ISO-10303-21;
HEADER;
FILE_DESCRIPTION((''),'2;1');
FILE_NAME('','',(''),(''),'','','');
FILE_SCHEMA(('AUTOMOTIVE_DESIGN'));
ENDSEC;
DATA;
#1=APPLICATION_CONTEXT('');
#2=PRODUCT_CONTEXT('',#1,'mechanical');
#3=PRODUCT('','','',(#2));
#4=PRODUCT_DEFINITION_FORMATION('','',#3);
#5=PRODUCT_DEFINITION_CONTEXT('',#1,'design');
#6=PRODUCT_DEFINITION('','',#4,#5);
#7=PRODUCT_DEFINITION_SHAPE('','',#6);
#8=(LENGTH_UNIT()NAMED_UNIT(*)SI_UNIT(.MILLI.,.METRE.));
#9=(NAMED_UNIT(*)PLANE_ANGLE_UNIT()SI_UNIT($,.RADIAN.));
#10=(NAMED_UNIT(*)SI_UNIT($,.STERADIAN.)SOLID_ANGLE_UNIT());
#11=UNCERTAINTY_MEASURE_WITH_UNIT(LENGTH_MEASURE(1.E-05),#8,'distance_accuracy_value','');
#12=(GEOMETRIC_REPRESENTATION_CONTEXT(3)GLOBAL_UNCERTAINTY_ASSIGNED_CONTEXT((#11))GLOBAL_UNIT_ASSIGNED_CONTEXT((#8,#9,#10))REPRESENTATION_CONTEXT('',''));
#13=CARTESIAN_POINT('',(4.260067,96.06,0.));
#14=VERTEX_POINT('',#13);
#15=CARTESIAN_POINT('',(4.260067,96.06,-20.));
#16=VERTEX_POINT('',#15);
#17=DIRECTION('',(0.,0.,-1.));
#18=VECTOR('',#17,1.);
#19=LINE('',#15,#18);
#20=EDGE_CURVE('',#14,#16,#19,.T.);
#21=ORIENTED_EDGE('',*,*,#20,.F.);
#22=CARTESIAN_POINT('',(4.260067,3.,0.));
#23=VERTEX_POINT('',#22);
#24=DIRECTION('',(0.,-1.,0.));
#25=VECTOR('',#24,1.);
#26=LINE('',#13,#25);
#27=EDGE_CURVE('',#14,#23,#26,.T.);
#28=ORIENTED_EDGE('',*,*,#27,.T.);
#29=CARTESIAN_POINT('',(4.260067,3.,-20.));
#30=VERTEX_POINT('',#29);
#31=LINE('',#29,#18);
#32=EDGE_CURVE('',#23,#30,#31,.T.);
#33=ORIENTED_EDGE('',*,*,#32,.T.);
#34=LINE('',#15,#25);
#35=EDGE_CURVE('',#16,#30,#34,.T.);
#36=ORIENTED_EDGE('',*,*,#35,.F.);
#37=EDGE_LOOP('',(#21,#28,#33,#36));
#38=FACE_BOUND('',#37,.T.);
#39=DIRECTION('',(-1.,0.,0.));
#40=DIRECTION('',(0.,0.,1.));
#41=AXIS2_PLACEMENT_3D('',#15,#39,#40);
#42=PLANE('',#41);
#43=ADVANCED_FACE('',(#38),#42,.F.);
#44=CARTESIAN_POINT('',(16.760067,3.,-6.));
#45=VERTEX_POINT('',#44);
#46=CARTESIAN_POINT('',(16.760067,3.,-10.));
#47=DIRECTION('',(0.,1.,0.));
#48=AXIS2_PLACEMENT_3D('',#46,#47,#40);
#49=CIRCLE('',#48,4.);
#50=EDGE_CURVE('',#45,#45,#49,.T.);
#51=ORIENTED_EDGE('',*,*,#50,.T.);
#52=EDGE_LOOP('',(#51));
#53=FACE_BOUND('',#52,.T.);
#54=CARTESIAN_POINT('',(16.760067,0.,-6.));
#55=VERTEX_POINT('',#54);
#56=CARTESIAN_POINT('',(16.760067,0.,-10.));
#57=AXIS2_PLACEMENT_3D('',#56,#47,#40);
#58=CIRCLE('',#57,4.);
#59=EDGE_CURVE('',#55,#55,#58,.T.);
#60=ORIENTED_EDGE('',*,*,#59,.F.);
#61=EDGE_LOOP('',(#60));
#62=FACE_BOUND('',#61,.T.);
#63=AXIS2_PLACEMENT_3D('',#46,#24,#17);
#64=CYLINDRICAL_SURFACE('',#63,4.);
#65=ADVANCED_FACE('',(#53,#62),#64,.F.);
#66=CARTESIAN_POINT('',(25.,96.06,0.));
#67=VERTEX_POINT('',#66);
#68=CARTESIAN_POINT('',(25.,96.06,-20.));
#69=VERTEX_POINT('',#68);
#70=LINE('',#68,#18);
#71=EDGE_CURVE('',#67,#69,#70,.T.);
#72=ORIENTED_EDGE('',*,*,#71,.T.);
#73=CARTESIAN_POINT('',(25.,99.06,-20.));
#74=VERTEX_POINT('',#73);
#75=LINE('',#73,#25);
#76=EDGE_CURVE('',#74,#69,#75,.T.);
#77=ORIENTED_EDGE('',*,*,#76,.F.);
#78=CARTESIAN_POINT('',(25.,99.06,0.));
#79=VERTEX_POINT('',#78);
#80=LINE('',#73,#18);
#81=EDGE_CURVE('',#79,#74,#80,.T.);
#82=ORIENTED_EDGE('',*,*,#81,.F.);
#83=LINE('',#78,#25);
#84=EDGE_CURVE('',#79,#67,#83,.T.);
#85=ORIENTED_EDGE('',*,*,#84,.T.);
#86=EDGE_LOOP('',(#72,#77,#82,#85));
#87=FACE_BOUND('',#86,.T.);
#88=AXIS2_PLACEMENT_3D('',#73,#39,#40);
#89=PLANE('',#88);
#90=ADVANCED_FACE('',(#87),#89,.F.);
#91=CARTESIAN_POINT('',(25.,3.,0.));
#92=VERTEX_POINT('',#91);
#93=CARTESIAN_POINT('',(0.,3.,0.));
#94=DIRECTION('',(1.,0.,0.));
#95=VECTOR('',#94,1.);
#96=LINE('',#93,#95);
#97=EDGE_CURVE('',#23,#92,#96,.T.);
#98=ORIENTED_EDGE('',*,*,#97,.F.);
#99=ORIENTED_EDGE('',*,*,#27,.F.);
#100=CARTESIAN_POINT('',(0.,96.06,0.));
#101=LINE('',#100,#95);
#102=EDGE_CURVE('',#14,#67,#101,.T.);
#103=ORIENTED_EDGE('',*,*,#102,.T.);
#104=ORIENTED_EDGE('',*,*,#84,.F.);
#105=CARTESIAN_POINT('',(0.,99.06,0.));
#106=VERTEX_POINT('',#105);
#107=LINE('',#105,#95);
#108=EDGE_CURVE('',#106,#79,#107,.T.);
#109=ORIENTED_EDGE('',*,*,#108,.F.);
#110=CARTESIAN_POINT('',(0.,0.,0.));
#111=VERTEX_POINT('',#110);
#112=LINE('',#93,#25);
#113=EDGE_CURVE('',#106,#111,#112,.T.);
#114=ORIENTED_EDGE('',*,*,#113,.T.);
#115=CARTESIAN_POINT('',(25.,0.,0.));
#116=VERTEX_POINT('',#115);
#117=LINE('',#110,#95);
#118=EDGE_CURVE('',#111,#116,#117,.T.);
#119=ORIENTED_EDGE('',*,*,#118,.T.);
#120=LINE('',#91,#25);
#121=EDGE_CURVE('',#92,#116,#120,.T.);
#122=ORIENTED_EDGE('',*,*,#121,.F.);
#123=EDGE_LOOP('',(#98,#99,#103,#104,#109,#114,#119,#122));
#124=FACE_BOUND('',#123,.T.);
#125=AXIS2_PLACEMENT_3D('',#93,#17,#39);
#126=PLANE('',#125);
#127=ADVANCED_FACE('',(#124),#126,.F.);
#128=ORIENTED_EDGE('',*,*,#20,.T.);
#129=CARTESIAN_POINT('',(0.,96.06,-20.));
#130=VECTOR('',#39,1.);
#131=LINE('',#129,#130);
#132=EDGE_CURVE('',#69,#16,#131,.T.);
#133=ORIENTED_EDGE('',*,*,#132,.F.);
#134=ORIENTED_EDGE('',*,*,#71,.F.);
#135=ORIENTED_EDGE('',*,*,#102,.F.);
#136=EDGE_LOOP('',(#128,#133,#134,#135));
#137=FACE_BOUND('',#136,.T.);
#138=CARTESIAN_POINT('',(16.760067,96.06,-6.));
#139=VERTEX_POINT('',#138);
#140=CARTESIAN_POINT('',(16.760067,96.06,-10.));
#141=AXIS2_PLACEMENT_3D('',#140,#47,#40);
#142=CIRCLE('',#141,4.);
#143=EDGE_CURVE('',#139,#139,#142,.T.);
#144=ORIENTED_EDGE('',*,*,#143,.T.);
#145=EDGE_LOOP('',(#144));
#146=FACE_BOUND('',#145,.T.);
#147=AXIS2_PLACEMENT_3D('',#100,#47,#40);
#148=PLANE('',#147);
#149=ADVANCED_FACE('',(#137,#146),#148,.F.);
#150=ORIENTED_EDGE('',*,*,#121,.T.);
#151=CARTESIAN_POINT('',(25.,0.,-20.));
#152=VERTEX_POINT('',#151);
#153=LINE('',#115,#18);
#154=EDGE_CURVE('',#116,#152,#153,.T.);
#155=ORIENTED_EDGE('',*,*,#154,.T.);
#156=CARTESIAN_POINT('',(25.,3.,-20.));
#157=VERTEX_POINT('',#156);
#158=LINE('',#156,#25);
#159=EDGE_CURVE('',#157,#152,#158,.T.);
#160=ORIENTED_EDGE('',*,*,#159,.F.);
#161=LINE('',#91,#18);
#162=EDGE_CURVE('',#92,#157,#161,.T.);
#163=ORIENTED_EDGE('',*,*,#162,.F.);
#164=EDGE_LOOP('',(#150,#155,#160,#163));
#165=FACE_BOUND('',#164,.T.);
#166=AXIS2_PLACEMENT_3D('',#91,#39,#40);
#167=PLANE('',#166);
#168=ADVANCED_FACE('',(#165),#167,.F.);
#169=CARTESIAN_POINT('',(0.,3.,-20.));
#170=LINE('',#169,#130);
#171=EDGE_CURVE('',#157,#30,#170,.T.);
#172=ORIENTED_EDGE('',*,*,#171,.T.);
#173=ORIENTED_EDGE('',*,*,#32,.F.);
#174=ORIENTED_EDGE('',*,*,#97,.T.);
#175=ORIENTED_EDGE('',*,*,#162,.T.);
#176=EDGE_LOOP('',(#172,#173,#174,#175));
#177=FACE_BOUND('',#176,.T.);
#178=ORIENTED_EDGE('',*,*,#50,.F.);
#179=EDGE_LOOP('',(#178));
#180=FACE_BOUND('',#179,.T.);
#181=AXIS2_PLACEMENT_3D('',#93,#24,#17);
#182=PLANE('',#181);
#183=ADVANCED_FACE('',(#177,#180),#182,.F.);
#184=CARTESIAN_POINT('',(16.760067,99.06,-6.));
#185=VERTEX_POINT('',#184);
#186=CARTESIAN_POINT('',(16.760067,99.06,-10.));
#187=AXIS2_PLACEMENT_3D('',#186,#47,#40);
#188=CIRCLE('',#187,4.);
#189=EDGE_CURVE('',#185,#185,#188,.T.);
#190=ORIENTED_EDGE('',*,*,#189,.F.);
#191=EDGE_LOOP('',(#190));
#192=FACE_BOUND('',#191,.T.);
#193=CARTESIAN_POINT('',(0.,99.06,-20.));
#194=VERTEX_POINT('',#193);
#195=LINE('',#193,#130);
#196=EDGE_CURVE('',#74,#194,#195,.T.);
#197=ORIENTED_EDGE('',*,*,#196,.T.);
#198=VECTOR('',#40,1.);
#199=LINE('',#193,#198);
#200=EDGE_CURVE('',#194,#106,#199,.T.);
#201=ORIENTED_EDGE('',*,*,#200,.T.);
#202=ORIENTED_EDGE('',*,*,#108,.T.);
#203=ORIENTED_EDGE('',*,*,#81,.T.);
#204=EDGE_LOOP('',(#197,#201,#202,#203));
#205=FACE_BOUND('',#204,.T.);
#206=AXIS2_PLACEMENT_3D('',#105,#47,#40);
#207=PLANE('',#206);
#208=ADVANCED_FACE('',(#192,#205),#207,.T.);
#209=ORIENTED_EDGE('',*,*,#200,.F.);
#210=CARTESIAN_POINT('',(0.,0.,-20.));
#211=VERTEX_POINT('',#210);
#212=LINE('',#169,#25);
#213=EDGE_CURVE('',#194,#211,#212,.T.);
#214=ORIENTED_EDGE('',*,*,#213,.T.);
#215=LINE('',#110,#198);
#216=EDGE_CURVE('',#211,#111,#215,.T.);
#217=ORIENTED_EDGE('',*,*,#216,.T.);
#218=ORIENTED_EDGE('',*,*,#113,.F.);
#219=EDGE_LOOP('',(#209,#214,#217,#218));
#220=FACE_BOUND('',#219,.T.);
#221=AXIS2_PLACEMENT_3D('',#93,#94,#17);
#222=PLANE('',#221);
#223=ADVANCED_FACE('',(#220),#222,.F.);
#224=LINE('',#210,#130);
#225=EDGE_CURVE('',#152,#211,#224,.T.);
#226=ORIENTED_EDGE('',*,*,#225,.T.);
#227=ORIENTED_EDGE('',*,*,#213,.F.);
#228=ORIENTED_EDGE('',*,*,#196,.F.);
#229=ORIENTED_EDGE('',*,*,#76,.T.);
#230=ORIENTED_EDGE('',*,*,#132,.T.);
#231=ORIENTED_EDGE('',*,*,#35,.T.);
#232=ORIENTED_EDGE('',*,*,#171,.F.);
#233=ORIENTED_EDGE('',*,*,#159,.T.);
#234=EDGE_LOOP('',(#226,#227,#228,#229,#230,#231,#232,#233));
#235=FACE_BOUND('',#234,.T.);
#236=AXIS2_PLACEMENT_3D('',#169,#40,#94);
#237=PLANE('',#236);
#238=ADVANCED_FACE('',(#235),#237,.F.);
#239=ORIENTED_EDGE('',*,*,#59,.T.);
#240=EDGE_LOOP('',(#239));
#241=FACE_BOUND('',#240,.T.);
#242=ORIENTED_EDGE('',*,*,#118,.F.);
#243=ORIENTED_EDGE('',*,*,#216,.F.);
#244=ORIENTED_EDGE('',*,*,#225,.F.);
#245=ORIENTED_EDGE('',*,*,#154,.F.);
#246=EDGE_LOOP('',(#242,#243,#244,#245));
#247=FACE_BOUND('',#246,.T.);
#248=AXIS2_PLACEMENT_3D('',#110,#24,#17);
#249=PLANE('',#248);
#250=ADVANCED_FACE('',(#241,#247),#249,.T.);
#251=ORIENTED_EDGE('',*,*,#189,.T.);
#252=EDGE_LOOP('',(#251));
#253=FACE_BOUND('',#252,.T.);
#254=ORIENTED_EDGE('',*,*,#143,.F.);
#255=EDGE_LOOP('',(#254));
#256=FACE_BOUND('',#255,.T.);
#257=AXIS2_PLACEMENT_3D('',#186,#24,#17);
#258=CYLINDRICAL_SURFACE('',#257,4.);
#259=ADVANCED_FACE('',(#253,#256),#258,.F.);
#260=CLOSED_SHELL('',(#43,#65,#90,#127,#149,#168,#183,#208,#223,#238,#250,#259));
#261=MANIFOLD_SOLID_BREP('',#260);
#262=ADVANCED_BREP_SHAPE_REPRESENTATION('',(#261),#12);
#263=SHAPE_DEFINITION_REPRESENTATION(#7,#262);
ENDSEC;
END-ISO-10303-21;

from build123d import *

# Parameters (mm, degrees)
SKETCH1_W           = 25
SKETCH1_H           = 20
SKETCH1_R           = 4
BOSS_EXTRUDE1_DEPTH = 3
SKETCH2_W           = 4.260066628
SKETCH2_H           = 20
BOSS_EXTRUDE2_DEPTH = 93.06
SKETCH3_W           = 25
SKETCH3_H           = 20
SKETCH3_R           = 4
BOSS_EXTRUDE3_DEPTH = 3


with BuildPart() as part:
    # Sketch1 → Boss-Extrude1 (new body)
    with BuildSketch(Plane(origin=(0, 0, 0), x_dir=(1, 0, 0), z_dir=(0, 1, 0))):
        with Locations((12.5, 10)):
            Rectangle(SKETCH1_W, SKETCH1_H)
        with Locations(Location((16.760066628, 10, 0), (0, 0, 270))):
            Circle(SKETCH1_R, mode=Mode.SUBTRACT)
    extrude(amount=BOSS_EXTRUDE1_DEPTH)

    # Sketch2 → Boss-Extrude2 (add)
    with BuildSketch(Plane(origin=(0, 3, 0), x_dir=(1, 0, 0), z_dir=(0, 1, 0))):
        with Locations((2.130033314, 10)):
            Rectangle(SKETCH2_W, SKETCH2_H)
    extrude(amount=BOSS_EXTRUDE2_DEPTH)

    # Sketch3 → Boss-Extrude3 (add)
    with BuildSketch(Plane(origin=(0, 96.06, 0), x_dir=(1, 0, 0), z_dir=(0, 1, 0))):
        with Locations((12.5, 10)):
            Rectangle(SKETCH3_W, SKETCH3_H)
        with Locations(Location((16.760066628, 10, 0), (0, 0, 270))):
            Circle(SKETCH3_R, mode=Mode.SUBTRACT)
    extrude(amount=BOSS_EXTRUDE3_DEPTH)


solid = part.part
